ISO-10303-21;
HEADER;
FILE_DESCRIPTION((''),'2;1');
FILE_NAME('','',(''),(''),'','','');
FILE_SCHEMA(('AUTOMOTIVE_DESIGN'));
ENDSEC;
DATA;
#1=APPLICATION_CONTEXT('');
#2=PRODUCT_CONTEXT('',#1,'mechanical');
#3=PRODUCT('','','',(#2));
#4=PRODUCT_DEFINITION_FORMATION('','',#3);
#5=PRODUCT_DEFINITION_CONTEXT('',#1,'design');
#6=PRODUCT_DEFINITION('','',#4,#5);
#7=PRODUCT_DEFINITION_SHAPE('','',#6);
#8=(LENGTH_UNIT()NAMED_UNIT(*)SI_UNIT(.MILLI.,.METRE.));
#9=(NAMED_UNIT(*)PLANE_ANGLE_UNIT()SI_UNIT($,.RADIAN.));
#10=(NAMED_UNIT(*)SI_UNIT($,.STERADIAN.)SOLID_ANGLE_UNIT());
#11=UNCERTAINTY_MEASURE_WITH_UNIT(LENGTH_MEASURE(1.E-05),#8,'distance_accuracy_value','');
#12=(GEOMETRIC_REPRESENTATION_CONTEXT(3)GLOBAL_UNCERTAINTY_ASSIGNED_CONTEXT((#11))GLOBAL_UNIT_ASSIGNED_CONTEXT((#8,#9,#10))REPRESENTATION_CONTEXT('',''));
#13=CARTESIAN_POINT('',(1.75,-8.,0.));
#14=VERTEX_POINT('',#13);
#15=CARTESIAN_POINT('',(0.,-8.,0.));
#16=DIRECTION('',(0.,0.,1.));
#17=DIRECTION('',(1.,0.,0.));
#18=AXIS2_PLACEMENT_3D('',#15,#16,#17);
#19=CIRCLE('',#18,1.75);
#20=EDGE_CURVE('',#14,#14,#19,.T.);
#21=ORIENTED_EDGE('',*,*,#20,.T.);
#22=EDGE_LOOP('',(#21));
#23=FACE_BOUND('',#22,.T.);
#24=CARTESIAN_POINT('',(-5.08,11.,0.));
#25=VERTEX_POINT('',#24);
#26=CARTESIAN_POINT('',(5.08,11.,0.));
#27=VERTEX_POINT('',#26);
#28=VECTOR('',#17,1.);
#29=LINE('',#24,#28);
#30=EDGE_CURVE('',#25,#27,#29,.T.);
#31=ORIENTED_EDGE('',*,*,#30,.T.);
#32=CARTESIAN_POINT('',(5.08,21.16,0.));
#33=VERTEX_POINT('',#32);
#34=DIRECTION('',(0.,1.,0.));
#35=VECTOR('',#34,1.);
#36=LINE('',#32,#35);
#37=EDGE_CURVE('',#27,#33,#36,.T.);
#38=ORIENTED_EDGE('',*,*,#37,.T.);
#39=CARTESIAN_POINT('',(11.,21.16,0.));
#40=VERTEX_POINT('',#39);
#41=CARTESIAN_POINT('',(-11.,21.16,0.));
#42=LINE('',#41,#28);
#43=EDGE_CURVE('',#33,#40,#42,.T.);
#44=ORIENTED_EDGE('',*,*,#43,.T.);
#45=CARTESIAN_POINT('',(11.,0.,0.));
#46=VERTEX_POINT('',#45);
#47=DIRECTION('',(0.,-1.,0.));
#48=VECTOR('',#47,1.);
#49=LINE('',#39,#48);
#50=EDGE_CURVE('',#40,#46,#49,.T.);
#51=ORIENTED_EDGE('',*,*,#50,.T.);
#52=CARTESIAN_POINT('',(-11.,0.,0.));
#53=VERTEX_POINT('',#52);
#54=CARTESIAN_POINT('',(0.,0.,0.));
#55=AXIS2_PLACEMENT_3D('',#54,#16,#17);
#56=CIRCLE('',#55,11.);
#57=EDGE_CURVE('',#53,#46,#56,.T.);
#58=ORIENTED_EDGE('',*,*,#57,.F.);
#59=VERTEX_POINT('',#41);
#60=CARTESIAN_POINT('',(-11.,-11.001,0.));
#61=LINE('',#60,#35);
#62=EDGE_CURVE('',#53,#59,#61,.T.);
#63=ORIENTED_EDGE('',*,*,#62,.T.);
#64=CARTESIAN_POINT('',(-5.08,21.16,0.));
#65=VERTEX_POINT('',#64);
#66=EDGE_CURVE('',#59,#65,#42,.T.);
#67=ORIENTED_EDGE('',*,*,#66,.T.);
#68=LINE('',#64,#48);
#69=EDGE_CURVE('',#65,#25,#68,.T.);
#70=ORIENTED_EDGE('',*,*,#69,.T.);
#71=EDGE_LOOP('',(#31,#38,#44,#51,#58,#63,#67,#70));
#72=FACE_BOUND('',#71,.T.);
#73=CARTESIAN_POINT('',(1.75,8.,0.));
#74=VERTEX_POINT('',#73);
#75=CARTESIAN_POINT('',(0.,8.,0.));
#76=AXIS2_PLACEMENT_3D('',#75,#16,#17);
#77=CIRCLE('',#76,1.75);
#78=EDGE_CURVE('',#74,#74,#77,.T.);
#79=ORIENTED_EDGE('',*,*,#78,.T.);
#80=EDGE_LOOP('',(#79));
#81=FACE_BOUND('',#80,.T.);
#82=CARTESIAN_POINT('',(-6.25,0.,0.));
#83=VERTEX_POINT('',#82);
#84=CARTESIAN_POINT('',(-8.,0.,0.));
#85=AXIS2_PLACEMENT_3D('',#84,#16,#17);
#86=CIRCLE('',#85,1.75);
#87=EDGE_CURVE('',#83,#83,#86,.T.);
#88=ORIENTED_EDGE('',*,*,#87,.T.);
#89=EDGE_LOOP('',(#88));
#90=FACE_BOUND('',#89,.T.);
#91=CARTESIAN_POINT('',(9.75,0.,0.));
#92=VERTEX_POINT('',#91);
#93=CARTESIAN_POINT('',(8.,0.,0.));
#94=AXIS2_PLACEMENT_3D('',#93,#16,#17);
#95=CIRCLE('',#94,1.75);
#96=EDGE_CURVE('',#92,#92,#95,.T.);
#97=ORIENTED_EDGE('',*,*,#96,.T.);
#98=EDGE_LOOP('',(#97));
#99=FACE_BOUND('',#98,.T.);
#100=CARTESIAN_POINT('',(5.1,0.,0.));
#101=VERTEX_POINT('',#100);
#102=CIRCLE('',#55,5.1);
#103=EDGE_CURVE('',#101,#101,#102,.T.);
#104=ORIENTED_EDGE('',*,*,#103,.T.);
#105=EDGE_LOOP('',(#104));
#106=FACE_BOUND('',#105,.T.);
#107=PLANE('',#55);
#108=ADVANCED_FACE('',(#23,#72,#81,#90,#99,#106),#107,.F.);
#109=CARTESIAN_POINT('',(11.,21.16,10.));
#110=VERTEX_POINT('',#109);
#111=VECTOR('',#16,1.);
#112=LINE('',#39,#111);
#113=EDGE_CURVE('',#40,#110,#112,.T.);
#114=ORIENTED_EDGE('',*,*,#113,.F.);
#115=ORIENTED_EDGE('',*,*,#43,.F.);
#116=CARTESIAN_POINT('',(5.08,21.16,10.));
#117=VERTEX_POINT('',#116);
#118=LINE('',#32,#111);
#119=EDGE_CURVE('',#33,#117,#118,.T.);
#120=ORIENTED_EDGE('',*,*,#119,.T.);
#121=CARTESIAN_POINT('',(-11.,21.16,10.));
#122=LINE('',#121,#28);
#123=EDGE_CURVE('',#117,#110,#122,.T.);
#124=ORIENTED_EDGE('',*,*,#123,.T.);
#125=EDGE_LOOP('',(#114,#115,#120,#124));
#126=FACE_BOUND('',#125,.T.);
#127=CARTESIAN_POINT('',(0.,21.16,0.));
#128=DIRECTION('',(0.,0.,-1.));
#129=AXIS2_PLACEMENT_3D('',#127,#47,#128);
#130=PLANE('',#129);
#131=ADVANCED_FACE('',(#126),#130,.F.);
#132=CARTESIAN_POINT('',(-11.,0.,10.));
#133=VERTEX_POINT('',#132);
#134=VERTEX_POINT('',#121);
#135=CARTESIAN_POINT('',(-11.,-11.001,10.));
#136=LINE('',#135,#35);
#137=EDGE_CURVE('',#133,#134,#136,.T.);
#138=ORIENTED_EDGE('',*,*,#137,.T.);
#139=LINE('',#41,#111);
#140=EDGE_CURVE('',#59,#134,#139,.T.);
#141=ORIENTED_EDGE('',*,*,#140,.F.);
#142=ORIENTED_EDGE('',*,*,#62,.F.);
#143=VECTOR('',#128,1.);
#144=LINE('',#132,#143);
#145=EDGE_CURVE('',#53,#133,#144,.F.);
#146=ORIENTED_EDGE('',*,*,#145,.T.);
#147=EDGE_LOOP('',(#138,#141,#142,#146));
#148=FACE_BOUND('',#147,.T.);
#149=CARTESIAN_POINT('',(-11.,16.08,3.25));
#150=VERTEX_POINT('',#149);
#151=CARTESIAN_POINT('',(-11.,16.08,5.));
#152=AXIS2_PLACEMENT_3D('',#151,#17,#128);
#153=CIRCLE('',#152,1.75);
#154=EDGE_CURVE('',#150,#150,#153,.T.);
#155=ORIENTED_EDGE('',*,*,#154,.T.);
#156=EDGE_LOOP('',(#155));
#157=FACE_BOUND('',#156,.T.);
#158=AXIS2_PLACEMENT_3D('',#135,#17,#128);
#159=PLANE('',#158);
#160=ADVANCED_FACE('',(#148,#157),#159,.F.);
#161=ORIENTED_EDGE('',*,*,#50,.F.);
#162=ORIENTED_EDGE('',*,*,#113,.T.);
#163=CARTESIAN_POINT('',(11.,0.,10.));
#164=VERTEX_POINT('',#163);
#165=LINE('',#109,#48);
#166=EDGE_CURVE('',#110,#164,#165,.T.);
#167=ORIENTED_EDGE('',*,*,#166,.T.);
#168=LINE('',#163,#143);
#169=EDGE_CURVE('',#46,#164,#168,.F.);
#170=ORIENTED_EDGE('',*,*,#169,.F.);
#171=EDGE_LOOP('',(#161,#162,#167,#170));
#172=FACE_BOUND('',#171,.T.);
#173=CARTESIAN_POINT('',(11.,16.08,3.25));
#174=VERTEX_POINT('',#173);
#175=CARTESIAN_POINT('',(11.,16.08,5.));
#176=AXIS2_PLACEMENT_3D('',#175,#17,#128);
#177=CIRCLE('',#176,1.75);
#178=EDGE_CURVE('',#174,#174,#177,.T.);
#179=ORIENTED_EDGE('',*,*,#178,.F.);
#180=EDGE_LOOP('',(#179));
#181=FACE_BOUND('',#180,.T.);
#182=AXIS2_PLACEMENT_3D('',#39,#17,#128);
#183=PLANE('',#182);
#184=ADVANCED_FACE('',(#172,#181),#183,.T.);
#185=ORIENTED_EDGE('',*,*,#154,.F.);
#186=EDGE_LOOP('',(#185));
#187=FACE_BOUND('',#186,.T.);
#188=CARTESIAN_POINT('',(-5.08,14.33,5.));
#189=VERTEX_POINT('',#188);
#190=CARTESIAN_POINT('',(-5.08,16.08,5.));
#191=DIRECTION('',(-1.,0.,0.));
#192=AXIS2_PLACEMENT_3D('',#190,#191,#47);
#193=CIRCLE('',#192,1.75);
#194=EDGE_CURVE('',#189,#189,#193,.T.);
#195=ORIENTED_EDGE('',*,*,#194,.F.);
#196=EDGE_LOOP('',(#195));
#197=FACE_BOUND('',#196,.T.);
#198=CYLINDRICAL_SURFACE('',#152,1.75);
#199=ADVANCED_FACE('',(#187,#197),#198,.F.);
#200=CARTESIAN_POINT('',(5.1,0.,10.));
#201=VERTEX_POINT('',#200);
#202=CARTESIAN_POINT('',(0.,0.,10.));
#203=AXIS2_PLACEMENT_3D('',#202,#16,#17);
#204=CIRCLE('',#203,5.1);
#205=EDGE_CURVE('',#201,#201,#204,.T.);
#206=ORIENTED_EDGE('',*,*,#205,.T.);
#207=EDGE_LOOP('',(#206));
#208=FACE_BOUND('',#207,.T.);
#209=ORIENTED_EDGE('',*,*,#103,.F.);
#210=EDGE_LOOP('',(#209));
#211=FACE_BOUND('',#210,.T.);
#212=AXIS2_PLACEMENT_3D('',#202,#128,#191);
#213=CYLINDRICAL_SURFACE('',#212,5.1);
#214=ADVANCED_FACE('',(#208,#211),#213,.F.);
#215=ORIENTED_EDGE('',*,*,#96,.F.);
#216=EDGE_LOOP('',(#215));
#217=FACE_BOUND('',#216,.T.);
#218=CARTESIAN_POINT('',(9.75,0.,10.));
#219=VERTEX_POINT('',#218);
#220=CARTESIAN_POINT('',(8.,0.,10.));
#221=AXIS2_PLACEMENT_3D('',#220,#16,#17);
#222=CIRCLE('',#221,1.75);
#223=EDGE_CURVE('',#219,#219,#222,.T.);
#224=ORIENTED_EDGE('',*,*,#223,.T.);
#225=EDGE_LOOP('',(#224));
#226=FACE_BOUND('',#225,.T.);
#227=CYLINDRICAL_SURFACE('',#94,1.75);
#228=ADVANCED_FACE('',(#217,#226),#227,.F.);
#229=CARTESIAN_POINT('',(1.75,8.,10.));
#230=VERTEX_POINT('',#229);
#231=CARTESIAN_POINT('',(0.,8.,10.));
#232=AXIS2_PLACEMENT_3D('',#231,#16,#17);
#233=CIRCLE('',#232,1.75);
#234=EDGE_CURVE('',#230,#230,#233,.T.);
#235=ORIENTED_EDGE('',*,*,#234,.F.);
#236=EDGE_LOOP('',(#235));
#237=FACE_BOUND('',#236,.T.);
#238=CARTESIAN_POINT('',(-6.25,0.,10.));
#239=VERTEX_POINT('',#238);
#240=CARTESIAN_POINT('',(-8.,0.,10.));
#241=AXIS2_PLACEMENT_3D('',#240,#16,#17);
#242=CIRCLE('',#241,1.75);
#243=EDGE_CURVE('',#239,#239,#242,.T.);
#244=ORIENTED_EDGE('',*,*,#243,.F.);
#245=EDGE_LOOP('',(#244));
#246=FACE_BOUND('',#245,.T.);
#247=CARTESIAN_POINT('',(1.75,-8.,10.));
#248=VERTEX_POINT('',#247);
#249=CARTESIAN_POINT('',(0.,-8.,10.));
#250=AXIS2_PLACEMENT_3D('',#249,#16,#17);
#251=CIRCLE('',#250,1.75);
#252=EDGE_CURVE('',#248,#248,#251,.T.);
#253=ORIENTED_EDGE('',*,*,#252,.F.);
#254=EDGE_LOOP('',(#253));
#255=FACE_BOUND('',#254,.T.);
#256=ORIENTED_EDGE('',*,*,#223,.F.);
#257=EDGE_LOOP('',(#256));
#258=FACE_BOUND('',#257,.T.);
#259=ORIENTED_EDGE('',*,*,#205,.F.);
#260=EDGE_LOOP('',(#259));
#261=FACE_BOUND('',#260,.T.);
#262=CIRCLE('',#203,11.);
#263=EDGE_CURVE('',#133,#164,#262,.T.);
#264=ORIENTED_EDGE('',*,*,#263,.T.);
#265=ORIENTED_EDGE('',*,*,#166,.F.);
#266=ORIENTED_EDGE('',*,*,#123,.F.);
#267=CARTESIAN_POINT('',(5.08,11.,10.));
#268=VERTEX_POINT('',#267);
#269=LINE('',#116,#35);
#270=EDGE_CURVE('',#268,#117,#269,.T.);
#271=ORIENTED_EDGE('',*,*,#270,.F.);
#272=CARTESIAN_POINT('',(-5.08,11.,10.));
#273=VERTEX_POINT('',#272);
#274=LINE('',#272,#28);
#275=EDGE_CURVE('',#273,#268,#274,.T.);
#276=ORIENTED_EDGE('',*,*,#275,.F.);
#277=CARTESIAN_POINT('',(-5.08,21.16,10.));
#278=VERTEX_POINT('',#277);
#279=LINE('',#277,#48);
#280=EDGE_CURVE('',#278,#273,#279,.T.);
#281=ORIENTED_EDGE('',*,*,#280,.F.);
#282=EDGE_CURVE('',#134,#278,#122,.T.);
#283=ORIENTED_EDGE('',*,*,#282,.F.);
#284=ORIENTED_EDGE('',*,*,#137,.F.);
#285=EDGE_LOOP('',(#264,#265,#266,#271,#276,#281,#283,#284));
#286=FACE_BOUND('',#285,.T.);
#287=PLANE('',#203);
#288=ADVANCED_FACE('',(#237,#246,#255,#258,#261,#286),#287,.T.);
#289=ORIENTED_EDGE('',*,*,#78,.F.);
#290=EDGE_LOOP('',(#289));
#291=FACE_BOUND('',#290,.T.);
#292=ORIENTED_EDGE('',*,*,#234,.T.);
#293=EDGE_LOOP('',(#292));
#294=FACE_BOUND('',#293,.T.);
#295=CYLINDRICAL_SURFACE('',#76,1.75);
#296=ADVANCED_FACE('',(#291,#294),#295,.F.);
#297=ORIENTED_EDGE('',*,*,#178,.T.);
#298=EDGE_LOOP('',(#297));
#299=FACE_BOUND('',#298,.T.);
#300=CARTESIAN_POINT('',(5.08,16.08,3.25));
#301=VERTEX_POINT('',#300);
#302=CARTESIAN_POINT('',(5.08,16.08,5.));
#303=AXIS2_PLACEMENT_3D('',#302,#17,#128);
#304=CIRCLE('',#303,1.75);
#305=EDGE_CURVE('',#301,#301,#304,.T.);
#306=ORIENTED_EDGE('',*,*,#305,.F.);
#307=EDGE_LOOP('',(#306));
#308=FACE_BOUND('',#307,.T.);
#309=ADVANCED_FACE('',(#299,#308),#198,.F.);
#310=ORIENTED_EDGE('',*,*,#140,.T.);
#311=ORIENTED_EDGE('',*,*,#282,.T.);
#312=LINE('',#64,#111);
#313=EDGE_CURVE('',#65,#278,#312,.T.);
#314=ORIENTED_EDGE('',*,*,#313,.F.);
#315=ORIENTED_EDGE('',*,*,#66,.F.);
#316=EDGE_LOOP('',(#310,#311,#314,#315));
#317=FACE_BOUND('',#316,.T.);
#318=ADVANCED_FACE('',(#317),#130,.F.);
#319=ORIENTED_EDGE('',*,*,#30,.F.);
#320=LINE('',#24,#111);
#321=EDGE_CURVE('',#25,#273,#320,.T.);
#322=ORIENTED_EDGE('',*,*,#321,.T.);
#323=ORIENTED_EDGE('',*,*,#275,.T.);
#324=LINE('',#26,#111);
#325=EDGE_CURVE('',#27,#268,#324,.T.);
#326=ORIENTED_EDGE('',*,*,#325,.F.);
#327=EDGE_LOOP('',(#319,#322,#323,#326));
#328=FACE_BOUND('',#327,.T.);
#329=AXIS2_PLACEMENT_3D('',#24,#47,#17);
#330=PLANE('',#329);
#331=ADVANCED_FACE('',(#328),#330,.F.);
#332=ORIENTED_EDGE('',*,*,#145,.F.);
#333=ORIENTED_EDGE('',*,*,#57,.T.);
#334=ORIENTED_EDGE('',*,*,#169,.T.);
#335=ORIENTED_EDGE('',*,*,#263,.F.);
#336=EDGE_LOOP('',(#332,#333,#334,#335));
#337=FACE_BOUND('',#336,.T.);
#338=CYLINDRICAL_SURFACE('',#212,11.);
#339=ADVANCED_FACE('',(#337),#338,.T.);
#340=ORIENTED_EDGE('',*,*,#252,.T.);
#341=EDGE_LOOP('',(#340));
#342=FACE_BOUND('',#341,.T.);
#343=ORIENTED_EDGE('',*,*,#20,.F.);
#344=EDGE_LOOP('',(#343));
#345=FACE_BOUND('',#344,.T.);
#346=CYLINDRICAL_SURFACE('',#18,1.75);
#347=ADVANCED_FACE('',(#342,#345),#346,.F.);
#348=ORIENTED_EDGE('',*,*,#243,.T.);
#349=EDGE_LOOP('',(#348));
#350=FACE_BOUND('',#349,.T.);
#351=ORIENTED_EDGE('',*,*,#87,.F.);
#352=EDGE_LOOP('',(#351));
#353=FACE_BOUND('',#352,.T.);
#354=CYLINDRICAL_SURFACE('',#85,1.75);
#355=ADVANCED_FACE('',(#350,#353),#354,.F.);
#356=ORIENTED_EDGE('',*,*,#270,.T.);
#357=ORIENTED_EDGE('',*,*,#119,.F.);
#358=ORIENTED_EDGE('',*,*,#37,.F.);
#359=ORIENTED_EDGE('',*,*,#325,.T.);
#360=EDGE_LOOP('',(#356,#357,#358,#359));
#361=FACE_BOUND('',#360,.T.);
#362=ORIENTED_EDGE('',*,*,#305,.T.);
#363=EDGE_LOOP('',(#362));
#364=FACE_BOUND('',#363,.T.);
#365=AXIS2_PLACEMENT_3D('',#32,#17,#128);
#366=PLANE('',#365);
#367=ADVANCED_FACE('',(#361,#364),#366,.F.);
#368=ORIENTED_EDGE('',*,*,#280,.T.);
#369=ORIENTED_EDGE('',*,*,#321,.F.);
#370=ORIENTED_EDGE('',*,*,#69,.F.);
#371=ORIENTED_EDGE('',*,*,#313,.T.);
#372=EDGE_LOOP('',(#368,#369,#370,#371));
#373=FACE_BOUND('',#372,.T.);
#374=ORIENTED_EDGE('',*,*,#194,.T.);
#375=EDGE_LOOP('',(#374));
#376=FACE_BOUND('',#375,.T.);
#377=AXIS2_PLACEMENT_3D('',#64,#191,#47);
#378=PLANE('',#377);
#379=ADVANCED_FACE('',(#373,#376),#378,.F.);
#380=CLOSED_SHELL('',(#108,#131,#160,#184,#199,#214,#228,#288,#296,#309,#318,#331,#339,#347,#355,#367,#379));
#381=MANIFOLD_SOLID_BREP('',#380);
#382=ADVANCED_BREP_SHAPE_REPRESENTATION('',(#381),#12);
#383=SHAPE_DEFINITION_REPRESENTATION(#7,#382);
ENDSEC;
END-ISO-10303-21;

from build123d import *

# Parameters (mm, degrees)
SKETCH1_R           = 11
SKETCH1_R_2         = 5.1
BOSS_EXTRUDE1_DEPTH = 10
SKETCH2_R           = 1.75
CUT_EXTRUDE1_DEPTH  = 19.493242009
BOSS_EXTRUDE2_START = 11
SKETCH3_W           = 22
SKETCH3_H           = 10
BOSS_EXTRUDE2_DEPTH = 10.16
BOSS_EXTRUDE3_REACH = 28.552
SKETCH5_W           = 22
SKETCH5_H           = 10
SKETCH6_W           = 10.16
SKETCH6_H           = 10.16
CUT_EXTRUDE2_DEPTH  = 26.860116009
SKETCH7_R           = 1.75
CUT_EXTRUDE3_DEPTH  = 33.120797001


with BuildPart() as part:
    # Sketch1 → Boss-Extrude1 (new body)
    with BuildSketch(Plane.XY):
        Circle(SKETCH1_R)
        Circle(SKETCH1_R_2, mode=Mode.SUBTRACT)
    extrude(amount=BOSS_EXTRUDE1_DEPTH)

    # Sketch2 → Cut-Extrude1 (cut, through all)
    with BuildSketch(Plane.XY.offset(10)):
        with Locations((0, 8)):
            Circle(SKETCH2_R)
        with Locations((8, 0)):
            Circle(SKETCH2_R)
        with Locations((0, -8)):
            Circle(SKETCH2_R)
        with Locations((-8, 0)):
            Circle(SKETCH2_R)
    extrude(amount=-CUT_EXTRUDE1_DEPTH, mode=Mode.SUBTRACT)

    # Sketch5 → Boss-Extrude3 (add, up to next)
    with BuildSketch(Plane.XZ.offset(-11), mode=Mode.PRIVATE) as boss_extrude3_sk1:
        with Locations((0, 5)):
            Rectangle(SKETCH5_W, SKETCH5_H)
    boss_extrude3_tool1 = extrude(boss_extrude3_sk1.sketch, amount=BOSS_EXTRUDE3_REACH, mode=Mode.PRIVATE) - part.part


with BuildPart() as body_2:
    # Sketch3 → Boss-Extrude2 (new body)
    with BuildSketch(Plane(origin=(0, 0, 0), x_dir=(1, 0, 0), z_dir=(0, 1, 0)).offset(BOSS_EXTRUDE2_START)):
        with Locations((0, -5)):
            Rectangle(SKETCH3_W, SKETCH3_H)
    extrude(amount=BOSS_EXTRUDE2_DEPTH)


with BuildPart() as part_1:
    add(part.part)

    add(body_2.part)  # Boss-Extrude3 merges body 2
    add(boss_extrude3_tool1.solids().sort_by_distance((0, 11, 5))[0])
    add(boss_extrude3_tool1.solids().sort_by_distance((0, 11, 5))[1])

    # Sketch6 → Cut-Extrude2 (cut, through all)
    with BuildSketch(Plane.XY.offset(10)):
        with Locations((0, 16.08)):
            Rectangle(SKETCH6_W, SKETCH6_H)
    extrude(amount=-CUT_EXTRUDE2_DEPTH, mode=Mode.SUBTRACT)

    # Sketch7 → Cut-Extrude3 (cut, through all)
    with BuildSketch(Plane(origin=(11, 0, 0), x_dir=(0, 0, -1), z_dir=(1, 0, 0))):
        with Locations((-5, 16.08)):
            Circle(SKETCH7_R)
    extrude(amount=-CUT_EXTRUDE3_DEPTH, mode=Mode.SUBTRACT)


solid = part_1.part
